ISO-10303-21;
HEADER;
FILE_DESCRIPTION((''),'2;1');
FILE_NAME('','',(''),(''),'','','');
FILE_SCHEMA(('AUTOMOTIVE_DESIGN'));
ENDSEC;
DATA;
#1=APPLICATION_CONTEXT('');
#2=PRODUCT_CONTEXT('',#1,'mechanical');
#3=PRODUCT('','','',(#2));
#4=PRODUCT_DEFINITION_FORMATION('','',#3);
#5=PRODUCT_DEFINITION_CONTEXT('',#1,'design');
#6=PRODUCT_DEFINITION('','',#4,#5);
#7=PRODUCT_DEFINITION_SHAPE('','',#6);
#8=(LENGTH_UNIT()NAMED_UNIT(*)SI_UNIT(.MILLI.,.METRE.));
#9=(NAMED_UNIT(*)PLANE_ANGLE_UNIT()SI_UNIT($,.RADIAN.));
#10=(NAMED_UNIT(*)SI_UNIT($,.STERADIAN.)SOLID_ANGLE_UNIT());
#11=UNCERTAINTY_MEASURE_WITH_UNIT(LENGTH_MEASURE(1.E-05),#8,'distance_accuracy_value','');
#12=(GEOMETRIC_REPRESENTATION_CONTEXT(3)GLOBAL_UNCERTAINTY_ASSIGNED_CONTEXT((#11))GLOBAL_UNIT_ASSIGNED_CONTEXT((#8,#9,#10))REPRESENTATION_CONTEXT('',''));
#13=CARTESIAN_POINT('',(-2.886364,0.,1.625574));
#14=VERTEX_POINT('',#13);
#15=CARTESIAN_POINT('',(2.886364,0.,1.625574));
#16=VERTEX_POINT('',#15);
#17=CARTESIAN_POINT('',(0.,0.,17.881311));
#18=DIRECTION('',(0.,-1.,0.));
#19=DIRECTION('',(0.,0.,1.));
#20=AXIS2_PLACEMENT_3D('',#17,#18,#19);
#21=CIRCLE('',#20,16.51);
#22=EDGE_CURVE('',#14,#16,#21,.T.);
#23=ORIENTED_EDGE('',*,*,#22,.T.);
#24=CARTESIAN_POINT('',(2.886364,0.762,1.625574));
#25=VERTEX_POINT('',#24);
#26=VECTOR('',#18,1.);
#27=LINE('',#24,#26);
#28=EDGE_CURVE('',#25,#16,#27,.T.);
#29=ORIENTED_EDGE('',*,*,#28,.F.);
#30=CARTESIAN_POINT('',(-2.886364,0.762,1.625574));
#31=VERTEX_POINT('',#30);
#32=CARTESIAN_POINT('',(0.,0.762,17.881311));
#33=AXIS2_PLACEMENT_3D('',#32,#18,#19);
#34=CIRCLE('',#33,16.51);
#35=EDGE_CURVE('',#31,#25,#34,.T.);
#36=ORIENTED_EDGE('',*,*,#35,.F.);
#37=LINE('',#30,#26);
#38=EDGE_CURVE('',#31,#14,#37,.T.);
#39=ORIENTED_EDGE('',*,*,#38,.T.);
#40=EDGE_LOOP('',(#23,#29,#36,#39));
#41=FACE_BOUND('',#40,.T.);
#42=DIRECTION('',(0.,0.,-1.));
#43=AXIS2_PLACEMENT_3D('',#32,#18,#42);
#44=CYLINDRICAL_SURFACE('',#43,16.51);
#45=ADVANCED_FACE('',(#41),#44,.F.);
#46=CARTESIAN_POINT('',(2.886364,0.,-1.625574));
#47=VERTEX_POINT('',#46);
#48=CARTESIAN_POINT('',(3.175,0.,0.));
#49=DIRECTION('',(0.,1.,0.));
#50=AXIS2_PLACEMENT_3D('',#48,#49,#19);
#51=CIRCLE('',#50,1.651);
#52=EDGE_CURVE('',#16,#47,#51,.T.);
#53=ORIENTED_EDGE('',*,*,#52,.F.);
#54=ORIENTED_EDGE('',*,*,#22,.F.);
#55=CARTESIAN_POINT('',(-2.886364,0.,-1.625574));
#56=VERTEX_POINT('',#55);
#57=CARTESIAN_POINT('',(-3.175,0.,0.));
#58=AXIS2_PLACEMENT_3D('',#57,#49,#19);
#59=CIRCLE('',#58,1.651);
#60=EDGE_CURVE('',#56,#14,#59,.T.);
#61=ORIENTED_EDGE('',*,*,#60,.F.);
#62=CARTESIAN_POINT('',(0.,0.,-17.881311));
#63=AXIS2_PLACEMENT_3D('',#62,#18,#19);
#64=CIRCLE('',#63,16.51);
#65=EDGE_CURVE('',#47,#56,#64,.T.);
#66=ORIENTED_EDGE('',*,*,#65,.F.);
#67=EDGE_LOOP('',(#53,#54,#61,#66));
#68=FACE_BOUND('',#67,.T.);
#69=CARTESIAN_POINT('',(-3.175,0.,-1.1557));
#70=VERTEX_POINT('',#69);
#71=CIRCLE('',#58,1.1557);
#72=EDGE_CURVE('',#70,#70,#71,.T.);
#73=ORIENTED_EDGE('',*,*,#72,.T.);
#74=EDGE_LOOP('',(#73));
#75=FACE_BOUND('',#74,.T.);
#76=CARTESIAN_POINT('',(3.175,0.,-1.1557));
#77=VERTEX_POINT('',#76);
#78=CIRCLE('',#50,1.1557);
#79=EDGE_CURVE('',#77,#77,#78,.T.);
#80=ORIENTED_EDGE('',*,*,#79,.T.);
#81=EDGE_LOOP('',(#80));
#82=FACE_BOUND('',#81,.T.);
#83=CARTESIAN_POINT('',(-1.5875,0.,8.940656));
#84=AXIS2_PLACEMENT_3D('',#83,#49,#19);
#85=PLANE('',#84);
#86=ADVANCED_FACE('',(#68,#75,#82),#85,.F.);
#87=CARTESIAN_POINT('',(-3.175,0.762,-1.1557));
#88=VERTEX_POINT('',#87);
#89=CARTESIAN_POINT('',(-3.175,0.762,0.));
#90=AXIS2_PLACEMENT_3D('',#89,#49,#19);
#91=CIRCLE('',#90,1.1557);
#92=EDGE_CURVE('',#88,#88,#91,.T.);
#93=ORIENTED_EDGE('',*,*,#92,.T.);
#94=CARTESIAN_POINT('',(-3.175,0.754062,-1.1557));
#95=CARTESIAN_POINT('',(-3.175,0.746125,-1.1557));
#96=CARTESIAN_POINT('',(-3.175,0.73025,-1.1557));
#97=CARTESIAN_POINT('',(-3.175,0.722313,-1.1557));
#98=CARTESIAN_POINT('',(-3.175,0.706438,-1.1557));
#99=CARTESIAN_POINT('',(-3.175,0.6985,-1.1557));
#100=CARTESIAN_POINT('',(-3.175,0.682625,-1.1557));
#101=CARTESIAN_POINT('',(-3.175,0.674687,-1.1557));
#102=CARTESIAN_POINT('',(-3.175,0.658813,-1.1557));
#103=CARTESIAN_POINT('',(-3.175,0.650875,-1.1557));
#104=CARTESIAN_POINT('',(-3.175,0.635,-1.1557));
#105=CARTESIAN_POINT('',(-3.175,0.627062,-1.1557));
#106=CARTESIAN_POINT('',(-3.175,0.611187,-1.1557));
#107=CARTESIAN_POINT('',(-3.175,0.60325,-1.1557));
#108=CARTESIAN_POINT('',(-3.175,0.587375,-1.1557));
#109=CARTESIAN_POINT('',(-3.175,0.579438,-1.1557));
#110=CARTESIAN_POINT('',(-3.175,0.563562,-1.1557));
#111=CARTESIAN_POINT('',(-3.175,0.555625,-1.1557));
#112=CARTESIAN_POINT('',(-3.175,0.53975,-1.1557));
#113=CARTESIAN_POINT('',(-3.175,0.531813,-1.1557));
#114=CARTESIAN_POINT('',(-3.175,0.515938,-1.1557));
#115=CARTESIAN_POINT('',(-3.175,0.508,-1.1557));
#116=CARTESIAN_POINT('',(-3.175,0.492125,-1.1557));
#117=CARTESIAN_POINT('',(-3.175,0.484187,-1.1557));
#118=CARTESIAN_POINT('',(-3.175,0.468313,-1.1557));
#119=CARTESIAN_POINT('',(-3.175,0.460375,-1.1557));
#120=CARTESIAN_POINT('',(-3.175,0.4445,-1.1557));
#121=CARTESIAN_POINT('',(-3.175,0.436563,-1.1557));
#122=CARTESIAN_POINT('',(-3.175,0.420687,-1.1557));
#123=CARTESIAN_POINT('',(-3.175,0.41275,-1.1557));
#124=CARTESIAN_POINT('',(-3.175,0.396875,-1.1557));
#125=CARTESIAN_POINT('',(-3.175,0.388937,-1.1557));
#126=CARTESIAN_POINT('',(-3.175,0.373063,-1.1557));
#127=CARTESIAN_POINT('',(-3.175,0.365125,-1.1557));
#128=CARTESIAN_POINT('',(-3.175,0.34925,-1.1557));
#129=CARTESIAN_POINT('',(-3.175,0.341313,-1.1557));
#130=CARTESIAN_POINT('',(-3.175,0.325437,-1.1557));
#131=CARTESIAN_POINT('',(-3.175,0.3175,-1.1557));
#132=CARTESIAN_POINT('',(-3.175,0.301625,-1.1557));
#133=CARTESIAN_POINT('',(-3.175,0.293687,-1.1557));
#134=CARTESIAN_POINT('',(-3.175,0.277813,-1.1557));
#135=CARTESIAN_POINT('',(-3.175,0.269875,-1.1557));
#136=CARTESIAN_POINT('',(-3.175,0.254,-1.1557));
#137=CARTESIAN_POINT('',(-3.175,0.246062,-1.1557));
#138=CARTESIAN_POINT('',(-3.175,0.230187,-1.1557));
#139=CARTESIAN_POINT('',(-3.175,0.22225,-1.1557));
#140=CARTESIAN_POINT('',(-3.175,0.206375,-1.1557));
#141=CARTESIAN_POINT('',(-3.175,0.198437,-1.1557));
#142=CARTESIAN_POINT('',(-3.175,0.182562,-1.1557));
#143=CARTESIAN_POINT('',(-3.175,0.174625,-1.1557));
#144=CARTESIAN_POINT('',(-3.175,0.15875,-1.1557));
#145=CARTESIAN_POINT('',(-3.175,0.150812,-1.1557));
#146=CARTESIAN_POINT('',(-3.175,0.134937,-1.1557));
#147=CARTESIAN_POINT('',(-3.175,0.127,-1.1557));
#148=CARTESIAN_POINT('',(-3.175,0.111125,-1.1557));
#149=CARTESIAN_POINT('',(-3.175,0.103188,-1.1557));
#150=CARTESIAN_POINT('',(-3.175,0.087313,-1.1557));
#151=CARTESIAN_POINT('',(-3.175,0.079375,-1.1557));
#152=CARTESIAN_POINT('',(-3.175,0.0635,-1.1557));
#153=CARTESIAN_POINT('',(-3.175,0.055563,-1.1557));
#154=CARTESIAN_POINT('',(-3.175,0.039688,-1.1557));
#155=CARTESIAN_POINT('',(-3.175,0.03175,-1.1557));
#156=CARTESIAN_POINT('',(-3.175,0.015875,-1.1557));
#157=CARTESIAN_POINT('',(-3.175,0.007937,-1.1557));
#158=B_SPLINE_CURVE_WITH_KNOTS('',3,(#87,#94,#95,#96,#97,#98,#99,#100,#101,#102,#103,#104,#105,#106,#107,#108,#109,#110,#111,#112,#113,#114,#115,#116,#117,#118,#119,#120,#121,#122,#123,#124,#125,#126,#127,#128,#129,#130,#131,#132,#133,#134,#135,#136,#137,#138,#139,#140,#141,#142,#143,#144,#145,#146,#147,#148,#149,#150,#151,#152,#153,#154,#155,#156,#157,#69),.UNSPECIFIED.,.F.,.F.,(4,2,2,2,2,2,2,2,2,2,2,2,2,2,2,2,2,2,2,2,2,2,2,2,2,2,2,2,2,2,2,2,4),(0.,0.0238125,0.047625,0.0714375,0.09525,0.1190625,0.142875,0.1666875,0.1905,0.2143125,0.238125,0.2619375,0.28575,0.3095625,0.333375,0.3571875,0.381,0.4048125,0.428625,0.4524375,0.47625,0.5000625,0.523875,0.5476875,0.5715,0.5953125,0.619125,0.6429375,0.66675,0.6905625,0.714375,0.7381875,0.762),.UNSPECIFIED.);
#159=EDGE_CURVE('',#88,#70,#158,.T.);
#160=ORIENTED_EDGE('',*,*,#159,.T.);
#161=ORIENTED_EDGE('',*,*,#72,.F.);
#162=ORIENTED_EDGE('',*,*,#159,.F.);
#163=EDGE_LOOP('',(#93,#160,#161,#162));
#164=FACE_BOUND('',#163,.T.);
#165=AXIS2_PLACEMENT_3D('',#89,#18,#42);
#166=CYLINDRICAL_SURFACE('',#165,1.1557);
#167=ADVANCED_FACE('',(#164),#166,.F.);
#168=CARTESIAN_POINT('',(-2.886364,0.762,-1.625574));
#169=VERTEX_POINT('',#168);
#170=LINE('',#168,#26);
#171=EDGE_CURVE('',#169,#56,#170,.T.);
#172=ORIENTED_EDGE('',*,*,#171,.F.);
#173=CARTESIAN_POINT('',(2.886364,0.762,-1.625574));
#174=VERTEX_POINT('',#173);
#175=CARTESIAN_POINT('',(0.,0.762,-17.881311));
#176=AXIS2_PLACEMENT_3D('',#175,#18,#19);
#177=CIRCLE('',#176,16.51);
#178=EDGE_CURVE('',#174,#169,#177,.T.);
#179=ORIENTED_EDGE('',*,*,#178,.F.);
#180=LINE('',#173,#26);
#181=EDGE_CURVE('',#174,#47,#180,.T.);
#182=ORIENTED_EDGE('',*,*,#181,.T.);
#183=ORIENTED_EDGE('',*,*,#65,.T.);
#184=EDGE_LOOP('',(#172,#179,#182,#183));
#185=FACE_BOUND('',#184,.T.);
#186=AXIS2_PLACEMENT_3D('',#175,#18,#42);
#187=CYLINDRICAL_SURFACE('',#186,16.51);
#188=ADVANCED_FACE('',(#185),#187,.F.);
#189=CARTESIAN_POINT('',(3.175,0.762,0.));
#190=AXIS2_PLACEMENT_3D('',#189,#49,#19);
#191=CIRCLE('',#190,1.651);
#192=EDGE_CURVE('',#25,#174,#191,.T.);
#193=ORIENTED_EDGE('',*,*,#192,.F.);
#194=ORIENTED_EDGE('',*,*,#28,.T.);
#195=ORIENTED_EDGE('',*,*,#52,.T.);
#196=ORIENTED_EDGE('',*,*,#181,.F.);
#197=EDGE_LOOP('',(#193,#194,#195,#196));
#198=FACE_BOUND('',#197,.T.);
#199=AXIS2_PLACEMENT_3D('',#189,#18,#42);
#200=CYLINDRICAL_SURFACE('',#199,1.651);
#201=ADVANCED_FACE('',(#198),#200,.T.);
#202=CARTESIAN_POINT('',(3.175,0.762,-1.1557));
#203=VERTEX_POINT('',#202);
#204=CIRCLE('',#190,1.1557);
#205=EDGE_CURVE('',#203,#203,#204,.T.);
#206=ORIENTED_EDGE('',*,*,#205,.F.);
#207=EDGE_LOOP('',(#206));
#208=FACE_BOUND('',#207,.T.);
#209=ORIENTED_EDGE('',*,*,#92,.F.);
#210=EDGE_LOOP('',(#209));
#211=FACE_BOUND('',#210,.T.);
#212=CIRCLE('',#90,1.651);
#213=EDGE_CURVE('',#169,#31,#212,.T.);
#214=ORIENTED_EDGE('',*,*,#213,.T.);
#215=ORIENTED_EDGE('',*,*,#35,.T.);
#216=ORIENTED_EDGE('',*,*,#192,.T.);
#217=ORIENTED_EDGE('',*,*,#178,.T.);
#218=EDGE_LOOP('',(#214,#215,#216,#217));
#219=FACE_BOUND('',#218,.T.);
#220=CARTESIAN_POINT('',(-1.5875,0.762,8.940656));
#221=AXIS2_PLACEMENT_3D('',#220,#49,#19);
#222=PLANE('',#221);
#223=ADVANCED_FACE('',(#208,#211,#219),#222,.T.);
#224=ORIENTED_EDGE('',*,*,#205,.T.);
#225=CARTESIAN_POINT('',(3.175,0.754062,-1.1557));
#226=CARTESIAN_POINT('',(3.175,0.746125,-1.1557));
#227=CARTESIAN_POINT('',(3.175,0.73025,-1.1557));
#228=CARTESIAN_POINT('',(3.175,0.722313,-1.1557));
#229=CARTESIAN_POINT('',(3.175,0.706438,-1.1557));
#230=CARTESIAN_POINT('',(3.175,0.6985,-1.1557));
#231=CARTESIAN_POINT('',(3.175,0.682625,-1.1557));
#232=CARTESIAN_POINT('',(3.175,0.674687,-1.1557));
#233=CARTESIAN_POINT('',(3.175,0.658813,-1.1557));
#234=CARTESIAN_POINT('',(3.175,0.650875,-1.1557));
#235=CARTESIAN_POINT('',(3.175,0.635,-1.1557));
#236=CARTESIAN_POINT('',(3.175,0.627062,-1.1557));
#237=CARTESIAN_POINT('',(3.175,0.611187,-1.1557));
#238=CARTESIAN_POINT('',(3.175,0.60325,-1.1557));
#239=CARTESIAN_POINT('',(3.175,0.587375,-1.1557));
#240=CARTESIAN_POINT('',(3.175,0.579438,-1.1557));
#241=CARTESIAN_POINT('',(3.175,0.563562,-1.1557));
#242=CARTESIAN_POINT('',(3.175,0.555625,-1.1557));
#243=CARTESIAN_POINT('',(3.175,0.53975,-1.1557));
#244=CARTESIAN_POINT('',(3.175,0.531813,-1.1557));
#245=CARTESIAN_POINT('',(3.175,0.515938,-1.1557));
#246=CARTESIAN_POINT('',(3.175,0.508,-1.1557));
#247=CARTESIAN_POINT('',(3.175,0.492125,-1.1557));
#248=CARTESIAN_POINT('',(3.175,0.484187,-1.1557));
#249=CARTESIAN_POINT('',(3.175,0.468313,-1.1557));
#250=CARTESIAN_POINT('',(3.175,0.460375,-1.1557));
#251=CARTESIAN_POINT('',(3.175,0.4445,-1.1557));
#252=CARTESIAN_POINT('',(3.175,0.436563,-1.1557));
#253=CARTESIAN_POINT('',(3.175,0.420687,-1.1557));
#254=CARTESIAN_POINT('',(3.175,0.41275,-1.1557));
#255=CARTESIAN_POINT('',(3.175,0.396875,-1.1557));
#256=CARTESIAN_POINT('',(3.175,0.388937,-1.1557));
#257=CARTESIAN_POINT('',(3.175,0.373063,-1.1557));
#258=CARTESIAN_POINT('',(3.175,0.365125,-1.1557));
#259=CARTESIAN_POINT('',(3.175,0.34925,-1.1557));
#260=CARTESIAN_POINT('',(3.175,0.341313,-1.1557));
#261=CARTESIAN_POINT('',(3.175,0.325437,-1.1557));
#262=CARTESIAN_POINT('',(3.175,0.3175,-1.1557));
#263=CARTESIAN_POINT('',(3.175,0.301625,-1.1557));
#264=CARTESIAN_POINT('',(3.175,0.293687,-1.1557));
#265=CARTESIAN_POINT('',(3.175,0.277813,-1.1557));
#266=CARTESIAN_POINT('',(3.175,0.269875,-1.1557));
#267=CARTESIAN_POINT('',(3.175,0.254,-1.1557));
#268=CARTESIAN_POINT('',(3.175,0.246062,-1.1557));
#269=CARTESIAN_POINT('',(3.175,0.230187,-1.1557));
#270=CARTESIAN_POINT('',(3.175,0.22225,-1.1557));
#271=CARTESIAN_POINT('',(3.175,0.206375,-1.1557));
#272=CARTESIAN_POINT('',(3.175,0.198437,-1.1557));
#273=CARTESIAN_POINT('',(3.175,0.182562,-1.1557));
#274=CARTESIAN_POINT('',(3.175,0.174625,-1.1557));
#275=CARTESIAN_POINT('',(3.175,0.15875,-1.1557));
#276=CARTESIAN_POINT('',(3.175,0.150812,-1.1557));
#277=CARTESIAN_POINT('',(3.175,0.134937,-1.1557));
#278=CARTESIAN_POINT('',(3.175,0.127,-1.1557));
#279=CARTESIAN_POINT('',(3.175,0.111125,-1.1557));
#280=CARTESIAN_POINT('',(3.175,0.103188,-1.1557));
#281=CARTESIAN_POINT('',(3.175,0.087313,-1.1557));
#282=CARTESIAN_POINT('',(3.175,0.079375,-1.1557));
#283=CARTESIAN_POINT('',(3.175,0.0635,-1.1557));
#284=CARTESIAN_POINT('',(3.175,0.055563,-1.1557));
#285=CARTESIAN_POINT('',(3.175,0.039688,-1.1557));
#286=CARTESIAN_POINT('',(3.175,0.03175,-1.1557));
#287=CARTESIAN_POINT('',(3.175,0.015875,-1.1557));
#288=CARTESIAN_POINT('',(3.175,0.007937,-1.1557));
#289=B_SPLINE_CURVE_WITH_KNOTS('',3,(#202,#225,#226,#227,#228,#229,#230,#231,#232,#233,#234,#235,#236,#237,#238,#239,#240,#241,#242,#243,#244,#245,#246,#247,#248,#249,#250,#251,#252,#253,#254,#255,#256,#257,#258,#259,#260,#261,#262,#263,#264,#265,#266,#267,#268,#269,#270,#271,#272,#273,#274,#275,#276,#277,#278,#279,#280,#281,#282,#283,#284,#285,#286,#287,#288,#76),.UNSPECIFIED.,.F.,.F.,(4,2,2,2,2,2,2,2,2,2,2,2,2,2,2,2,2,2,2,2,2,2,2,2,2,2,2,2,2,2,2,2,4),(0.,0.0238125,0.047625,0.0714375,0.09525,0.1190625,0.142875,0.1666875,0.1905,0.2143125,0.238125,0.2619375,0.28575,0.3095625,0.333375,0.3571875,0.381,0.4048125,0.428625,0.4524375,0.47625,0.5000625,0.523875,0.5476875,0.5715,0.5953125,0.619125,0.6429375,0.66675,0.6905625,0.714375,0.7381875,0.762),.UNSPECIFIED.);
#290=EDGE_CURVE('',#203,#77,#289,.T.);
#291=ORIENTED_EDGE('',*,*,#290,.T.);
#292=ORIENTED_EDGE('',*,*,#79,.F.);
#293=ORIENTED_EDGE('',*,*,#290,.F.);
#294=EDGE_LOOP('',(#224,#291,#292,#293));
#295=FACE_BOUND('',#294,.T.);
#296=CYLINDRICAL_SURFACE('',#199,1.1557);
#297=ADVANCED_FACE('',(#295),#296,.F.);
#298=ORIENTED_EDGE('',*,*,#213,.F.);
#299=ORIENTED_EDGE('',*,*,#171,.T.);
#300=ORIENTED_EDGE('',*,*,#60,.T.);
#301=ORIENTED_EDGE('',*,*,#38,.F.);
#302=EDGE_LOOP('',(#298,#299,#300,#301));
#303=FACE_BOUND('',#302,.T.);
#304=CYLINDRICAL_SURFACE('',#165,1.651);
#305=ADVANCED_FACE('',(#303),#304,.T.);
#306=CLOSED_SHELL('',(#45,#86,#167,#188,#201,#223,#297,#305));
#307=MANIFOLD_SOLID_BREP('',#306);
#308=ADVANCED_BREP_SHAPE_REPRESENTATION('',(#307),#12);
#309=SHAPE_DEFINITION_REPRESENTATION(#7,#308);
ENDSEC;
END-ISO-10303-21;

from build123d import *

# Parameters (mm, degrees)
SKETCH3_R           = 1.1557
BOSS_EXTRUDE1_DEPTH = 0.762


with BuildPart() as part:
    # Sketch3 → Boss-Extrude1 (new body)
    with BuildSketch(Plane(origin=(0, 0, 0), x_dir=(1, 0, 0), z_dir=(0, 1, 0))):
        with BuildLine():
            ThreePointArc((-2.886363636, 1.62557376), (-4.826, 0), (-2.886363636, -1.62557376))
            ThreePointArc((-2.886363636, -1.62557376), (0, -1.371311361), (2.886363636, -1.62557376))
            ThreePointArc((2.886363636, -1.62557376), (4.826, 0), (2.886363636, 1.62557376))
            ThreePointArc((2.886363636, 1.62557376), (0, 1.371311361), (-2.886363636, 1.62557376))
        make_face()
        with Locations(Location((-3.175, 0, 0), (0, 0, 90))):
            Circle(SKETCH3_R, mode=Mode.SUBTRACT)
        with Locations(Location((3.175, 0, 0), (0, 0, 90))):
            Circle(SKETCH3_R, mode=Mode.SUBTRACT)
    extrude(amount=BOSS_EXTRUDE1_DEPTH)


solid = part.part
